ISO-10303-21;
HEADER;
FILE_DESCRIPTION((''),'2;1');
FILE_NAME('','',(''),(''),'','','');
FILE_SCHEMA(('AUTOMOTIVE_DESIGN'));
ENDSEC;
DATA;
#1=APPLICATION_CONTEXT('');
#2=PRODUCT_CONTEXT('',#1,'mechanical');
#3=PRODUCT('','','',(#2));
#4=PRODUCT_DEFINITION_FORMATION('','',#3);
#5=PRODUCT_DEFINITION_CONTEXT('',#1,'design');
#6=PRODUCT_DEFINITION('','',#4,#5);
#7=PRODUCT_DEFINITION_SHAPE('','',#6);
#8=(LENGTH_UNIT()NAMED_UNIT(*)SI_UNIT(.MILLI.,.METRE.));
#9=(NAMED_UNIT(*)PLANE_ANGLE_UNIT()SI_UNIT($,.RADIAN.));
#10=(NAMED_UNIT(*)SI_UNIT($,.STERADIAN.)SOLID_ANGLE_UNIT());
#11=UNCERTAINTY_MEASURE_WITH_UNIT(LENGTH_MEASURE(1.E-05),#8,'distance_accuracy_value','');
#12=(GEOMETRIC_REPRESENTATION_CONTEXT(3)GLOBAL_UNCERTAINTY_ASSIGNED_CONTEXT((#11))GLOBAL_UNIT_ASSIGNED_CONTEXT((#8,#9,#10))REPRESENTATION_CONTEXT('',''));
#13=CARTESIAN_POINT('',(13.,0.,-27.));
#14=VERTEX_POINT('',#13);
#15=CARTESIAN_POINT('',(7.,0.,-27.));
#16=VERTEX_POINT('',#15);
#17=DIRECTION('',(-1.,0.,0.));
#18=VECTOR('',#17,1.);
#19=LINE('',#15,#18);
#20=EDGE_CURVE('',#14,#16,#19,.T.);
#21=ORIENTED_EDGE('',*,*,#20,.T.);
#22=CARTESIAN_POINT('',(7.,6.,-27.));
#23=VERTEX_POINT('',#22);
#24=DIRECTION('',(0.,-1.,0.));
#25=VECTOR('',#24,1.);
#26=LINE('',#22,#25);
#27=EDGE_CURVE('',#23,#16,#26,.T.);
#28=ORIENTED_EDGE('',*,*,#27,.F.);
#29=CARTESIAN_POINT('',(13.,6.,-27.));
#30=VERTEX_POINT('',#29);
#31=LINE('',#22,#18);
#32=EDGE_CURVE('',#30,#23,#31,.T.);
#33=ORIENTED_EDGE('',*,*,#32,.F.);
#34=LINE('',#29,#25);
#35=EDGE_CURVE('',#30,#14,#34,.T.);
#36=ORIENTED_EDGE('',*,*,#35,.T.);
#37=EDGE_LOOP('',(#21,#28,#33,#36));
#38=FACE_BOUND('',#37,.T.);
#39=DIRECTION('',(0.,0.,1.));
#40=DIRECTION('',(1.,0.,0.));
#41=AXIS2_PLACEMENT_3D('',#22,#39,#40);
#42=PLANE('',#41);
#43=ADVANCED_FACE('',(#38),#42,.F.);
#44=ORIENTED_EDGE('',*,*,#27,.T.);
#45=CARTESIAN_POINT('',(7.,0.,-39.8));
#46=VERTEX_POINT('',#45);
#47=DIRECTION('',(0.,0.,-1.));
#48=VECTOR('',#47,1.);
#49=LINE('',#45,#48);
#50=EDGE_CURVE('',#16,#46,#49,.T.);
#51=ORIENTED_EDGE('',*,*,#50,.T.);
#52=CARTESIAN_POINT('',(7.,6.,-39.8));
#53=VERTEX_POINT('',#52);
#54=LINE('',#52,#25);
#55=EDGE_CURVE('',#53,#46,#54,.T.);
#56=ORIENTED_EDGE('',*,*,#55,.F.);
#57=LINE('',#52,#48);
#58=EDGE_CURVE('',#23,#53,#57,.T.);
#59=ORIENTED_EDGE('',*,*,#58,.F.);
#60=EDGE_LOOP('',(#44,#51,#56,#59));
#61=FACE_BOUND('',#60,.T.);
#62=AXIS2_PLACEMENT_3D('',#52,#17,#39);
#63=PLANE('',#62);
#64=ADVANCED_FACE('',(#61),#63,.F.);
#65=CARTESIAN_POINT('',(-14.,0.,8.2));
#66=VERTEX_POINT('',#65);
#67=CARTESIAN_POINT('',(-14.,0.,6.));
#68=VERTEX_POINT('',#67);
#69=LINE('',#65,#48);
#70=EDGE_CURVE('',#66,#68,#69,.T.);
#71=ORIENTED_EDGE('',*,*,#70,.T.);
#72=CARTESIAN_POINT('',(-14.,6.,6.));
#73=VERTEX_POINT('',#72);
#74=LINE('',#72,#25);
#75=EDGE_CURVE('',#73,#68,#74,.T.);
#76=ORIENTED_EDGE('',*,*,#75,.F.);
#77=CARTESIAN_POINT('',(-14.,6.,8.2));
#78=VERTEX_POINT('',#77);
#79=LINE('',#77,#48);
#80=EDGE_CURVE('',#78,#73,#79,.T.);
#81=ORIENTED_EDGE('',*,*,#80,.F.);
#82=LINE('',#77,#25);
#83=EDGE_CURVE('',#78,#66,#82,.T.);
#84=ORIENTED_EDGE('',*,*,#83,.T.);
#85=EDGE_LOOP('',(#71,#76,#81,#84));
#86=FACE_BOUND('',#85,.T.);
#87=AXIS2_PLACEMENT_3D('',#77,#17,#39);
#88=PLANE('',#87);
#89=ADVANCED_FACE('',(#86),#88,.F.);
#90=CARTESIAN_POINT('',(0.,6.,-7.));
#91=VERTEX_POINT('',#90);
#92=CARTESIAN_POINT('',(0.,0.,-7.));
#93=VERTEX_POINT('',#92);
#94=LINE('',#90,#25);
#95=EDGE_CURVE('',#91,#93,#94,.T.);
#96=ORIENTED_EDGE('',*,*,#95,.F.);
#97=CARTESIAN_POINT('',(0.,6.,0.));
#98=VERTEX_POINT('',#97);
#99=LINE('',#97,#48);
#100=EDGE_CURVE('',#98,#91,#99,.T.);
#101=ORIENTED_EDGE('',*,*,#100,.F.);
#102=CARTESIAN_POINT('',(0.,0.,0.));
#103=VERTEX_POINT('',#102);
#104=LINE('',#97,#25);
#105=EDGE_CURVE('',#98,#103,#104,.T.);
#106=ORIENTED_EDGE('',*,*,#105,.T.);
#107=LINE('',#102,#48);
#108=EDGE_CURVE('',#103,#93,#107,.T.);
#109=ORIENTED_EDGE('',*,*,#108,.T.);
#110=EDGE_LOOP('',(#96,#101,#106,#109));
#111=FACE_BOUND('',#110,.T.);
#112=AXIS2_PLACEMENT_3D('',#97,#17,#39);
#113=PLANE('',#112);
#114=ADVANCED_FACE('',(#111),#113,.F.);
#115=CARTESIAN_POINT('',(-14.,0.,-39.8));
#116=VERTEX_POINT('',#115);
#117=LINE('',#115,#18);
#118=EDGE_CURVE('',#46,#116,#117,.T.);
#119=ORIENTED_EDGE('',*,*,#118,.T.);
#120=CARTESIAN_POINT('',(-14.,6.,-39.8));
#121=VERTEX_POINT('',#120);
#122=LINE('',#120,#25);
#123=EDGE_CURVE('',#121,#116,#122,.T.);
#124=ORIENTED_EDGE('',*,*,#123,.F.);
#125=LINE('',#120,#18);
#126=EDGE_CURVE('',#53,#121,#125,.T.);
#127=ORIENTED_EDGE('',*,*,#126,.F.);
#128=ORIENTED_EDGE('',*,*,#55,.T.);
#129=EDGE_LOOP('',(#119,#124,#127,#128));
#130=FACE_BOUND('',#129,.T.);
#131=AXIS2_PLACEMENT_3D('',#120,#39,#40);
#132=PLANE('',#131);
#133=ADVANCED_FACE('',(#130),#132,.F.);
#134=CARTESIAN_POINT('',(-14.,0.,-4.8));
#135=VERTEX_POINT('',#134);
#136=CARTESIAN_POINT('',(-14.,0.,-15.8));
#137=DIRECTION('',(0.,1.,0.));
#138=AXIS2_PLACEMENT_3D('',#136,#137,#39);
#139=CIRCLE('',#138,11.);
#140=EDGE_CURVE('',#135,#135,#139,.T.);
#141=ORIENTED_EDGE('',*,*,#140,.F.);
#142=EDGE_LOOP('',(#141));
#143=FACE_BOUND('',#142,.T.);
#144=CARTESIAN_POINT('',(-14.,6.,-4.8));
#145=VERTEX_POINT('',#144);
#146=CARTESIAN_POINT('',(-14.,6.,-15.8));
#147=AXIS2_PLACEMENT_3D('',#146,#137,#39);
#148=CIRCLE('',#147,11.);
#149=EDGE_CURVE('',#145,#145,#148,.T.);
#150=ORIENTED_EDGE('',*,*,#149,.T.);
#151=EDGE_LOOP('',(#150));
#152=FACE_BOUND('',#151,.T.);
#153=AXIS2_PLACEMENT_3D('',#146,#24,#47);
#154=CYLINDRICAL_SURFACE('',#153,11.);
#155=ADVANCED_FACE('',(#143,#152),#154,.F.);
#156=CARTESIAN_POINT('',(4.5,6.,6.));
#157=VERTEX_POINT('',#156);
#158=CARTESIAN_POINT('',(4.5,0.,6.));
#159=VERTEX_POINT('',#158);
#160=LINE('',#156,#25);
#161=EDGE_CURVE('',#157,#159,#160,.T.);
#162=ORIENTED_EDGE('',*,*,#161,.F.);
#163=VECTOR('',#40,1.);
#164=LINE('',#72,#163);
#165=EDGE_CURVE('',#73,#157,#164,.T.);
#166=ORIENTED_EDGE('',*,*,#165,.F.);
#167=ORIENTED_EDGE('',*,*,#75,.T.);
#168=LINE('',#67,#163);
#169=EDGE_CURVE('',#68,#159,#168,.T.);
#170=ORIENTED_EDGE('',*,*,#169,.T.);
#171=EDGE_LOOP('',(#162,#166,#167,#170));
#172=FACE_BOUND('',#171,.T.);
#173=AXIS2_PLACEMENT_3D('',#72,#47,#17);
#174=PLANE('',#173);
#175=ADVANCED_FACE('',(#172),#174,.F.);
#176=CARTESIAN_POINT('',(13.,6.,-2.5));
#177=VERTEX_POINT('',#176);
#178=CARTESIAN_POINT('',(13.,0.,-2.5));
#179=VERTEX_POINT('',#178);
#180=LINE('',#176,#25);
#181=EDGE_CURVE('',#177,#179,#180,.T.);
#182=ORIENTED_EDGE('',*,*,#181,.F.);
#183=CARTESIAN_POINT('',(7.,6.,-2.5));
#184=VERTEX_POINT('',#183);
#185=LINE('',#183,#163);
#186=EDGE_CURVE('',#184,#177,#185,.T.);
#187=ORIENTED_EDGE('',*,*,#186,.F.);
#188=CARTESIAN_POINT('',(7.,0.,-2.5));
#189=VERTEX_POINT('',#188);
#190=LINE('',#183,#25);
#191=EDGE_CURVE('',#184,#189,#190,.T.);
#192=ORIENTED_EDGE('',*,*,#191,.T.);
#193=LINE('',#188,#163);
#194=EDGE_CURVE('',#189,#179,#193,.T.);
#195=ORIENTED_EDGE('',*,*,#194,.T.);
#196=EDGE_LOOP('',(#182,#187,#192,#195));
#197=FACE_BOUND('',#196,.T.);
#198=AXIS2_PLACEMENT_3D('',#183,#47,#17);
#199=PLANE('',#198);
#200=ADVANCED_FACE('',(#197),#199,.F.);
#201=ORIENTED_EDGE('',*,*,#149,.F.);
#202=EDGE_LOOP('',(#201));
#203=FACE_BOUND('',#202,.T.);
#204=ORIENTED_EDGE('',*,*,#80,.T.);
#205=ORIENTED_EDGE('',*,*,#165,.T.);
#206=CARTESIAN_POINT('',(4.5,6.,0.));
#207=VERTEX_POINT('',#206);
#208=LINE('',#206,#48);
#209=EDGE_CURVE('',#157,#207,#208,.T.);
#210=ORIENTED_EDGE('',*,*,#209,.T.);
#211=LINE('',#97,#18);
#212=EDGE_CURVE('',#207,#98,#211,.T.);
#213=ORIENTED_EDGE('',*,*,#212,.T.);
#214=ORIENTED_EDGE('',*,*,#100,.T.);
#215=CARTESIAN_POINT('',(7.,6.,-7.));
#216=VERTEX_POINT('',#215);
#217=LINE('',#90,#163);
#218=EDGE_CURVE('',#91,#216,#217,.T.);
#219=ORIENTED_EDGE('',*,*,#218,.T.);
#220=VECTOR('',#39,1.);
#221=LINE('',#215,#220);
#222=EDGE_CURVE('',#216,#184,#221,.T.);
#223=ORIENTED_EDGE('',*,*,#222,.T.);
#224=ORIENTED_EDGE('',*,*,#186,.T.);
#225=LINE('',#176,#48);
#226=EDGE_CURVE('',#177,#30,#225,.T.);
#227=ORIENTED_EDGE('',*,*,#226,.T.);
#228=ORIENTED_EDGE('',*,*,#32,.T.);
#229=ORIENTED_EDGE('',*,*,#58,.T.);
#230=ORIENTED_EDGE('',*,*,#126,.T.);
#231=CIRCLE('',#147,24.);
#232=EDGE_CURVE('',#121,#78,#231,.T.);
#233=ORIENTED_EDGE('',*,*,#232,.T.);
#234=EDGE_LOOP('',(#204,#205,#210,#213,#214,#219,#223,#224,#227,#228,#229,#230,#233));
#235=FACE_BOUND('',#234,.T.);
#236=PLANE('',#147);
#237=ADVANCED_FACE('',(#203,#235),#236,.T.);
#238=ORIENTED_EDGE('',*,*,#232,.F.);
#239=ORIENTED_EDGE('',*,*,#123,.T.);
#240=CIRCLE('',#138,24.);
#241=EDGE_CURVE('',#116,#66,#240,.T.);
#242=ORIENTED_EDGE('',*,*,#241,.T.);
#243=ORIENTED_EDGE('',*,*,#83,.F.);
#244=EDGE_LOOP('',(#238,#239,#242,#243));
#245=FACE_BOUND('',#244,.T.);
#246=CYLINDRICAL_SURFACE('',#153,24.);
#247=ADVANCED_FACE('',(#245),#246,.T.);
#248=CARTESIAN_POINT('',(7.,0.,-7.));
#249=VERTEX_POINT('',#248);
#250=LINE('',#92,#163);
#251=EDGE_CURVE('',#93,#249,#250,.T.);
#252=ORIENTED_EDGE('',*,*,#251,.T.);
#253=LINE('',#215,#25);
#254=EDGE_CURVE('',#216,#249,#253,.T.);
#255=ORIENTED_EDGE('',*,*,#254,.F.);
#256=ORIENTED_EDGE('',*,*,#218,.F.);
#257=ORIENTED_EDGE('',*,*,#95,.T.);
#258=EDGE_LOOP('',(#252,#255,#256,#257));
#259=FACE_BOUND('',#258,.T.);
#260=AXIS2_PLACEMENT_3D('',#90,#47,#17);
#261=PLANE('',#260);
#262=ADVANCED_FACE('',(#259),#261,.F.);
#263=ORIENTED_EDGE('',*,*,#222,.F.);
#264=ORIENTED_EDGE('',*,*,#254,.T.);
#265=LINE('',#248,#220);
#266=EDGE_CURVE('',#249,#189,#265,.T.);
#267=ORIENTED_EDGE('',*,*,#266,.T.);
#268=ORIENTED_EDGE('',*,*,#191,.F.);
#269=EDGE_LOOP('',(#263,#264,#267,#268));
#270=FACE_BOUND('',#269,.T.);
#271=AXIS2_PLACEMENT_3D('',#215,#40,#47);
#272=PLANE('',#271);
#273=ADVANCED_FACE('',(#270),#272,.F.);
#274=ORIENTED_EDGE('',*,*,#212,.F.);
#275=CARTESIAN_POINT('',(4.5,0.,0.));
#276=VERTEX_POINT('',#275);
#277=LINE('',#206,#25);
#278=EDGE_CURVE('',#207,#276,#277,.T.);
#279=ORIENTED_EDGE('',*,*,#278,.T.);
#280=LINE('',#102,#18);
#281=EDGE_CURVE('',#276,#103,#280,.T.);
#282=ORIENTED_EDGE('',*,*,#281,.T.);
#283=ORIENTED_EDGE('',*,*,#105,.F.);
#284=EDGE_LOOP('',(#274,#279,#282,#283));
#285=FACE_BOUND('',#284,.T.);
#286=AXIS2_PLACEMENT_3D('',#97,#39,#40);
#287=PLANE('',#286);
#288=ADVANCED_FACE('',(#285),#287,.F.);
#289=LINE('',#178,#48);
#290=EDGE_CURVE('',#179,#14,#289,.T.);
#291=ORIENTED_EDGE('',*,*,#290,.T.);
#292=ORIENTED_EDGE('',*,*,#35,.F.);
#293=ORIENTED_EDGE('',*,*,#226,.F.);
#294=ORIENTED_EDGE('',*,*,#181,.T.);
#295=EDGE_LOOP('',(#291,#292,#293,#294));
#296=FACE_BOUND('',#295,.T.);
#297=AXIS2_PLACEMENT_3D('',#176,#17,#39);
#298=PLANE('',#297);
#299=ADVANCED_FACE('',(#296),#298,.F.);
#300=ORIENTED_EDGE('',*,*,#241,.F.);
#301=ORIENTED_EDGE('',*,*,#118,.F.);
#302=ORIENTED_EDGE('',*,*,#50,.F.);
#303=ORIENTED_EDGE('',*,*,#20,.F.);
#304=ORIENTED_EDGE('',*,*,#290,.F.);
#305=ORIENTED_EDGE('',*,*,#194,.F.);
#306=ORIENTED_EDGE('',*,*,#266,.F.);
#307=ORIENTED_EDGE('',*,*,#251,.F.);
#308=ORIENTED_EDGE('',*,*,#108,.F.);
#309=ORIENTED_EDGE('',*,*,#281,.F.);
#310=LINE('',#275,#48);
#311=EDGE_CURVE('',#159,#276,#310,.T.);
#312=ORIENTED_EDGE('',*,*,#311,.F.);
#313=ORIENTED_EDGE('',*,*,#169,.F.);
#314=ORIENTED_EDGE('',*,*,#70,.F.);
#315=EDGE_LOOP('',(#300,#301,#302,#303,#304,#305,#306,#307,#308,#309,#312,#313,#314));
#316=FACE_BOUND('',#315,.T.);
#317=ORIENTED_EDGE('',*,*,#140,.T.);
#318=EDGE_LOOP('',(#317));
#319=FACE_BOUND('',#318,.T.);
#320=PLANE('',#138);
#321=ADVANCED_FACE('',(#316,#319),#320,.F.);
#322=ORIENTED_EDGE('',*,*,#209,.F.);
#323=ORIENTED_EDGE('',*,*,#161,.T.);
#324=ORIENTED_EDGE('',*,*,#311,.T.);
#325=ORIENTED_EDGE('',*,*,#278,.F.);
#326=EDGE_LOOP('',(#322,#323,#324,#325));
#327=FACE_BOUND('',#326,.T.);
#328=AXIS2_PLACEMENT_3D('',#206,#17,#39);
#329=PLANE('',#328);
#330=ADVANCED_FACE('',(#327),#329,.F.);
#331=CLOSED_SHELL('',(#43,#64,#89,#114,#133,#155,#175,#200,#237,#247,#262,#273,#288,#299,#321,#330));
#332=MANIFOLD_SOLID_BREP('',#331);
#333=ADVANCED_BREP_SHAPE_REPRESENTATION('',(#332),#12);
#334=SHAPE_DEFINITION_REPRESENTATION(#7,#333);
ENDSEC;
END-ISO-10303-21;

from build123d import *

# Parameters (mm, degrees)
SKETCH1_R           = 11
BOSS_EXTRUDE1_DEPTH = 6


with BuildPart() as part:
    # Sketch1 → Boss-Extrude1 (new body)
    with BuildSketch(Plane(origin=(0, 0, 0), x_dir=(1, 0, 0), z_dir=(0, 1, 0))):
        with BuildLine():
            Line((0, 0), (0, 7))
            Line((0, 7), (7, 7))
            Line((7, 7), (7, 2.5))
            Line((7, 2.5), (13, 2.5))
            Line((13, 2.5), (13, 27))
            Line((13, 27), (7, 27))
            Line((7, 27), (7, 39.8))
            Line((7, 39.8), (-14, 39.8))
            ThreePointArc((-14, 39.8), (-38, 15.8), (-14, -8.2))
            Line((-14, -8.2), (-14, -6))
            Line((-14, -6), (4.5, -6))
            Line((4.5, -6), (4.5, 0))
            Line((4.5, 0), (0, 0))
        make_face()
        with Locations(Location((-14, 15.8, 0), (0, 0, 270))):
            Circle(SKETCH1_R, mode=Mode.SUBTRACT)
    extrude(amount=BOSS_EXTRUDE1_DEPTH)


solid = part.part
